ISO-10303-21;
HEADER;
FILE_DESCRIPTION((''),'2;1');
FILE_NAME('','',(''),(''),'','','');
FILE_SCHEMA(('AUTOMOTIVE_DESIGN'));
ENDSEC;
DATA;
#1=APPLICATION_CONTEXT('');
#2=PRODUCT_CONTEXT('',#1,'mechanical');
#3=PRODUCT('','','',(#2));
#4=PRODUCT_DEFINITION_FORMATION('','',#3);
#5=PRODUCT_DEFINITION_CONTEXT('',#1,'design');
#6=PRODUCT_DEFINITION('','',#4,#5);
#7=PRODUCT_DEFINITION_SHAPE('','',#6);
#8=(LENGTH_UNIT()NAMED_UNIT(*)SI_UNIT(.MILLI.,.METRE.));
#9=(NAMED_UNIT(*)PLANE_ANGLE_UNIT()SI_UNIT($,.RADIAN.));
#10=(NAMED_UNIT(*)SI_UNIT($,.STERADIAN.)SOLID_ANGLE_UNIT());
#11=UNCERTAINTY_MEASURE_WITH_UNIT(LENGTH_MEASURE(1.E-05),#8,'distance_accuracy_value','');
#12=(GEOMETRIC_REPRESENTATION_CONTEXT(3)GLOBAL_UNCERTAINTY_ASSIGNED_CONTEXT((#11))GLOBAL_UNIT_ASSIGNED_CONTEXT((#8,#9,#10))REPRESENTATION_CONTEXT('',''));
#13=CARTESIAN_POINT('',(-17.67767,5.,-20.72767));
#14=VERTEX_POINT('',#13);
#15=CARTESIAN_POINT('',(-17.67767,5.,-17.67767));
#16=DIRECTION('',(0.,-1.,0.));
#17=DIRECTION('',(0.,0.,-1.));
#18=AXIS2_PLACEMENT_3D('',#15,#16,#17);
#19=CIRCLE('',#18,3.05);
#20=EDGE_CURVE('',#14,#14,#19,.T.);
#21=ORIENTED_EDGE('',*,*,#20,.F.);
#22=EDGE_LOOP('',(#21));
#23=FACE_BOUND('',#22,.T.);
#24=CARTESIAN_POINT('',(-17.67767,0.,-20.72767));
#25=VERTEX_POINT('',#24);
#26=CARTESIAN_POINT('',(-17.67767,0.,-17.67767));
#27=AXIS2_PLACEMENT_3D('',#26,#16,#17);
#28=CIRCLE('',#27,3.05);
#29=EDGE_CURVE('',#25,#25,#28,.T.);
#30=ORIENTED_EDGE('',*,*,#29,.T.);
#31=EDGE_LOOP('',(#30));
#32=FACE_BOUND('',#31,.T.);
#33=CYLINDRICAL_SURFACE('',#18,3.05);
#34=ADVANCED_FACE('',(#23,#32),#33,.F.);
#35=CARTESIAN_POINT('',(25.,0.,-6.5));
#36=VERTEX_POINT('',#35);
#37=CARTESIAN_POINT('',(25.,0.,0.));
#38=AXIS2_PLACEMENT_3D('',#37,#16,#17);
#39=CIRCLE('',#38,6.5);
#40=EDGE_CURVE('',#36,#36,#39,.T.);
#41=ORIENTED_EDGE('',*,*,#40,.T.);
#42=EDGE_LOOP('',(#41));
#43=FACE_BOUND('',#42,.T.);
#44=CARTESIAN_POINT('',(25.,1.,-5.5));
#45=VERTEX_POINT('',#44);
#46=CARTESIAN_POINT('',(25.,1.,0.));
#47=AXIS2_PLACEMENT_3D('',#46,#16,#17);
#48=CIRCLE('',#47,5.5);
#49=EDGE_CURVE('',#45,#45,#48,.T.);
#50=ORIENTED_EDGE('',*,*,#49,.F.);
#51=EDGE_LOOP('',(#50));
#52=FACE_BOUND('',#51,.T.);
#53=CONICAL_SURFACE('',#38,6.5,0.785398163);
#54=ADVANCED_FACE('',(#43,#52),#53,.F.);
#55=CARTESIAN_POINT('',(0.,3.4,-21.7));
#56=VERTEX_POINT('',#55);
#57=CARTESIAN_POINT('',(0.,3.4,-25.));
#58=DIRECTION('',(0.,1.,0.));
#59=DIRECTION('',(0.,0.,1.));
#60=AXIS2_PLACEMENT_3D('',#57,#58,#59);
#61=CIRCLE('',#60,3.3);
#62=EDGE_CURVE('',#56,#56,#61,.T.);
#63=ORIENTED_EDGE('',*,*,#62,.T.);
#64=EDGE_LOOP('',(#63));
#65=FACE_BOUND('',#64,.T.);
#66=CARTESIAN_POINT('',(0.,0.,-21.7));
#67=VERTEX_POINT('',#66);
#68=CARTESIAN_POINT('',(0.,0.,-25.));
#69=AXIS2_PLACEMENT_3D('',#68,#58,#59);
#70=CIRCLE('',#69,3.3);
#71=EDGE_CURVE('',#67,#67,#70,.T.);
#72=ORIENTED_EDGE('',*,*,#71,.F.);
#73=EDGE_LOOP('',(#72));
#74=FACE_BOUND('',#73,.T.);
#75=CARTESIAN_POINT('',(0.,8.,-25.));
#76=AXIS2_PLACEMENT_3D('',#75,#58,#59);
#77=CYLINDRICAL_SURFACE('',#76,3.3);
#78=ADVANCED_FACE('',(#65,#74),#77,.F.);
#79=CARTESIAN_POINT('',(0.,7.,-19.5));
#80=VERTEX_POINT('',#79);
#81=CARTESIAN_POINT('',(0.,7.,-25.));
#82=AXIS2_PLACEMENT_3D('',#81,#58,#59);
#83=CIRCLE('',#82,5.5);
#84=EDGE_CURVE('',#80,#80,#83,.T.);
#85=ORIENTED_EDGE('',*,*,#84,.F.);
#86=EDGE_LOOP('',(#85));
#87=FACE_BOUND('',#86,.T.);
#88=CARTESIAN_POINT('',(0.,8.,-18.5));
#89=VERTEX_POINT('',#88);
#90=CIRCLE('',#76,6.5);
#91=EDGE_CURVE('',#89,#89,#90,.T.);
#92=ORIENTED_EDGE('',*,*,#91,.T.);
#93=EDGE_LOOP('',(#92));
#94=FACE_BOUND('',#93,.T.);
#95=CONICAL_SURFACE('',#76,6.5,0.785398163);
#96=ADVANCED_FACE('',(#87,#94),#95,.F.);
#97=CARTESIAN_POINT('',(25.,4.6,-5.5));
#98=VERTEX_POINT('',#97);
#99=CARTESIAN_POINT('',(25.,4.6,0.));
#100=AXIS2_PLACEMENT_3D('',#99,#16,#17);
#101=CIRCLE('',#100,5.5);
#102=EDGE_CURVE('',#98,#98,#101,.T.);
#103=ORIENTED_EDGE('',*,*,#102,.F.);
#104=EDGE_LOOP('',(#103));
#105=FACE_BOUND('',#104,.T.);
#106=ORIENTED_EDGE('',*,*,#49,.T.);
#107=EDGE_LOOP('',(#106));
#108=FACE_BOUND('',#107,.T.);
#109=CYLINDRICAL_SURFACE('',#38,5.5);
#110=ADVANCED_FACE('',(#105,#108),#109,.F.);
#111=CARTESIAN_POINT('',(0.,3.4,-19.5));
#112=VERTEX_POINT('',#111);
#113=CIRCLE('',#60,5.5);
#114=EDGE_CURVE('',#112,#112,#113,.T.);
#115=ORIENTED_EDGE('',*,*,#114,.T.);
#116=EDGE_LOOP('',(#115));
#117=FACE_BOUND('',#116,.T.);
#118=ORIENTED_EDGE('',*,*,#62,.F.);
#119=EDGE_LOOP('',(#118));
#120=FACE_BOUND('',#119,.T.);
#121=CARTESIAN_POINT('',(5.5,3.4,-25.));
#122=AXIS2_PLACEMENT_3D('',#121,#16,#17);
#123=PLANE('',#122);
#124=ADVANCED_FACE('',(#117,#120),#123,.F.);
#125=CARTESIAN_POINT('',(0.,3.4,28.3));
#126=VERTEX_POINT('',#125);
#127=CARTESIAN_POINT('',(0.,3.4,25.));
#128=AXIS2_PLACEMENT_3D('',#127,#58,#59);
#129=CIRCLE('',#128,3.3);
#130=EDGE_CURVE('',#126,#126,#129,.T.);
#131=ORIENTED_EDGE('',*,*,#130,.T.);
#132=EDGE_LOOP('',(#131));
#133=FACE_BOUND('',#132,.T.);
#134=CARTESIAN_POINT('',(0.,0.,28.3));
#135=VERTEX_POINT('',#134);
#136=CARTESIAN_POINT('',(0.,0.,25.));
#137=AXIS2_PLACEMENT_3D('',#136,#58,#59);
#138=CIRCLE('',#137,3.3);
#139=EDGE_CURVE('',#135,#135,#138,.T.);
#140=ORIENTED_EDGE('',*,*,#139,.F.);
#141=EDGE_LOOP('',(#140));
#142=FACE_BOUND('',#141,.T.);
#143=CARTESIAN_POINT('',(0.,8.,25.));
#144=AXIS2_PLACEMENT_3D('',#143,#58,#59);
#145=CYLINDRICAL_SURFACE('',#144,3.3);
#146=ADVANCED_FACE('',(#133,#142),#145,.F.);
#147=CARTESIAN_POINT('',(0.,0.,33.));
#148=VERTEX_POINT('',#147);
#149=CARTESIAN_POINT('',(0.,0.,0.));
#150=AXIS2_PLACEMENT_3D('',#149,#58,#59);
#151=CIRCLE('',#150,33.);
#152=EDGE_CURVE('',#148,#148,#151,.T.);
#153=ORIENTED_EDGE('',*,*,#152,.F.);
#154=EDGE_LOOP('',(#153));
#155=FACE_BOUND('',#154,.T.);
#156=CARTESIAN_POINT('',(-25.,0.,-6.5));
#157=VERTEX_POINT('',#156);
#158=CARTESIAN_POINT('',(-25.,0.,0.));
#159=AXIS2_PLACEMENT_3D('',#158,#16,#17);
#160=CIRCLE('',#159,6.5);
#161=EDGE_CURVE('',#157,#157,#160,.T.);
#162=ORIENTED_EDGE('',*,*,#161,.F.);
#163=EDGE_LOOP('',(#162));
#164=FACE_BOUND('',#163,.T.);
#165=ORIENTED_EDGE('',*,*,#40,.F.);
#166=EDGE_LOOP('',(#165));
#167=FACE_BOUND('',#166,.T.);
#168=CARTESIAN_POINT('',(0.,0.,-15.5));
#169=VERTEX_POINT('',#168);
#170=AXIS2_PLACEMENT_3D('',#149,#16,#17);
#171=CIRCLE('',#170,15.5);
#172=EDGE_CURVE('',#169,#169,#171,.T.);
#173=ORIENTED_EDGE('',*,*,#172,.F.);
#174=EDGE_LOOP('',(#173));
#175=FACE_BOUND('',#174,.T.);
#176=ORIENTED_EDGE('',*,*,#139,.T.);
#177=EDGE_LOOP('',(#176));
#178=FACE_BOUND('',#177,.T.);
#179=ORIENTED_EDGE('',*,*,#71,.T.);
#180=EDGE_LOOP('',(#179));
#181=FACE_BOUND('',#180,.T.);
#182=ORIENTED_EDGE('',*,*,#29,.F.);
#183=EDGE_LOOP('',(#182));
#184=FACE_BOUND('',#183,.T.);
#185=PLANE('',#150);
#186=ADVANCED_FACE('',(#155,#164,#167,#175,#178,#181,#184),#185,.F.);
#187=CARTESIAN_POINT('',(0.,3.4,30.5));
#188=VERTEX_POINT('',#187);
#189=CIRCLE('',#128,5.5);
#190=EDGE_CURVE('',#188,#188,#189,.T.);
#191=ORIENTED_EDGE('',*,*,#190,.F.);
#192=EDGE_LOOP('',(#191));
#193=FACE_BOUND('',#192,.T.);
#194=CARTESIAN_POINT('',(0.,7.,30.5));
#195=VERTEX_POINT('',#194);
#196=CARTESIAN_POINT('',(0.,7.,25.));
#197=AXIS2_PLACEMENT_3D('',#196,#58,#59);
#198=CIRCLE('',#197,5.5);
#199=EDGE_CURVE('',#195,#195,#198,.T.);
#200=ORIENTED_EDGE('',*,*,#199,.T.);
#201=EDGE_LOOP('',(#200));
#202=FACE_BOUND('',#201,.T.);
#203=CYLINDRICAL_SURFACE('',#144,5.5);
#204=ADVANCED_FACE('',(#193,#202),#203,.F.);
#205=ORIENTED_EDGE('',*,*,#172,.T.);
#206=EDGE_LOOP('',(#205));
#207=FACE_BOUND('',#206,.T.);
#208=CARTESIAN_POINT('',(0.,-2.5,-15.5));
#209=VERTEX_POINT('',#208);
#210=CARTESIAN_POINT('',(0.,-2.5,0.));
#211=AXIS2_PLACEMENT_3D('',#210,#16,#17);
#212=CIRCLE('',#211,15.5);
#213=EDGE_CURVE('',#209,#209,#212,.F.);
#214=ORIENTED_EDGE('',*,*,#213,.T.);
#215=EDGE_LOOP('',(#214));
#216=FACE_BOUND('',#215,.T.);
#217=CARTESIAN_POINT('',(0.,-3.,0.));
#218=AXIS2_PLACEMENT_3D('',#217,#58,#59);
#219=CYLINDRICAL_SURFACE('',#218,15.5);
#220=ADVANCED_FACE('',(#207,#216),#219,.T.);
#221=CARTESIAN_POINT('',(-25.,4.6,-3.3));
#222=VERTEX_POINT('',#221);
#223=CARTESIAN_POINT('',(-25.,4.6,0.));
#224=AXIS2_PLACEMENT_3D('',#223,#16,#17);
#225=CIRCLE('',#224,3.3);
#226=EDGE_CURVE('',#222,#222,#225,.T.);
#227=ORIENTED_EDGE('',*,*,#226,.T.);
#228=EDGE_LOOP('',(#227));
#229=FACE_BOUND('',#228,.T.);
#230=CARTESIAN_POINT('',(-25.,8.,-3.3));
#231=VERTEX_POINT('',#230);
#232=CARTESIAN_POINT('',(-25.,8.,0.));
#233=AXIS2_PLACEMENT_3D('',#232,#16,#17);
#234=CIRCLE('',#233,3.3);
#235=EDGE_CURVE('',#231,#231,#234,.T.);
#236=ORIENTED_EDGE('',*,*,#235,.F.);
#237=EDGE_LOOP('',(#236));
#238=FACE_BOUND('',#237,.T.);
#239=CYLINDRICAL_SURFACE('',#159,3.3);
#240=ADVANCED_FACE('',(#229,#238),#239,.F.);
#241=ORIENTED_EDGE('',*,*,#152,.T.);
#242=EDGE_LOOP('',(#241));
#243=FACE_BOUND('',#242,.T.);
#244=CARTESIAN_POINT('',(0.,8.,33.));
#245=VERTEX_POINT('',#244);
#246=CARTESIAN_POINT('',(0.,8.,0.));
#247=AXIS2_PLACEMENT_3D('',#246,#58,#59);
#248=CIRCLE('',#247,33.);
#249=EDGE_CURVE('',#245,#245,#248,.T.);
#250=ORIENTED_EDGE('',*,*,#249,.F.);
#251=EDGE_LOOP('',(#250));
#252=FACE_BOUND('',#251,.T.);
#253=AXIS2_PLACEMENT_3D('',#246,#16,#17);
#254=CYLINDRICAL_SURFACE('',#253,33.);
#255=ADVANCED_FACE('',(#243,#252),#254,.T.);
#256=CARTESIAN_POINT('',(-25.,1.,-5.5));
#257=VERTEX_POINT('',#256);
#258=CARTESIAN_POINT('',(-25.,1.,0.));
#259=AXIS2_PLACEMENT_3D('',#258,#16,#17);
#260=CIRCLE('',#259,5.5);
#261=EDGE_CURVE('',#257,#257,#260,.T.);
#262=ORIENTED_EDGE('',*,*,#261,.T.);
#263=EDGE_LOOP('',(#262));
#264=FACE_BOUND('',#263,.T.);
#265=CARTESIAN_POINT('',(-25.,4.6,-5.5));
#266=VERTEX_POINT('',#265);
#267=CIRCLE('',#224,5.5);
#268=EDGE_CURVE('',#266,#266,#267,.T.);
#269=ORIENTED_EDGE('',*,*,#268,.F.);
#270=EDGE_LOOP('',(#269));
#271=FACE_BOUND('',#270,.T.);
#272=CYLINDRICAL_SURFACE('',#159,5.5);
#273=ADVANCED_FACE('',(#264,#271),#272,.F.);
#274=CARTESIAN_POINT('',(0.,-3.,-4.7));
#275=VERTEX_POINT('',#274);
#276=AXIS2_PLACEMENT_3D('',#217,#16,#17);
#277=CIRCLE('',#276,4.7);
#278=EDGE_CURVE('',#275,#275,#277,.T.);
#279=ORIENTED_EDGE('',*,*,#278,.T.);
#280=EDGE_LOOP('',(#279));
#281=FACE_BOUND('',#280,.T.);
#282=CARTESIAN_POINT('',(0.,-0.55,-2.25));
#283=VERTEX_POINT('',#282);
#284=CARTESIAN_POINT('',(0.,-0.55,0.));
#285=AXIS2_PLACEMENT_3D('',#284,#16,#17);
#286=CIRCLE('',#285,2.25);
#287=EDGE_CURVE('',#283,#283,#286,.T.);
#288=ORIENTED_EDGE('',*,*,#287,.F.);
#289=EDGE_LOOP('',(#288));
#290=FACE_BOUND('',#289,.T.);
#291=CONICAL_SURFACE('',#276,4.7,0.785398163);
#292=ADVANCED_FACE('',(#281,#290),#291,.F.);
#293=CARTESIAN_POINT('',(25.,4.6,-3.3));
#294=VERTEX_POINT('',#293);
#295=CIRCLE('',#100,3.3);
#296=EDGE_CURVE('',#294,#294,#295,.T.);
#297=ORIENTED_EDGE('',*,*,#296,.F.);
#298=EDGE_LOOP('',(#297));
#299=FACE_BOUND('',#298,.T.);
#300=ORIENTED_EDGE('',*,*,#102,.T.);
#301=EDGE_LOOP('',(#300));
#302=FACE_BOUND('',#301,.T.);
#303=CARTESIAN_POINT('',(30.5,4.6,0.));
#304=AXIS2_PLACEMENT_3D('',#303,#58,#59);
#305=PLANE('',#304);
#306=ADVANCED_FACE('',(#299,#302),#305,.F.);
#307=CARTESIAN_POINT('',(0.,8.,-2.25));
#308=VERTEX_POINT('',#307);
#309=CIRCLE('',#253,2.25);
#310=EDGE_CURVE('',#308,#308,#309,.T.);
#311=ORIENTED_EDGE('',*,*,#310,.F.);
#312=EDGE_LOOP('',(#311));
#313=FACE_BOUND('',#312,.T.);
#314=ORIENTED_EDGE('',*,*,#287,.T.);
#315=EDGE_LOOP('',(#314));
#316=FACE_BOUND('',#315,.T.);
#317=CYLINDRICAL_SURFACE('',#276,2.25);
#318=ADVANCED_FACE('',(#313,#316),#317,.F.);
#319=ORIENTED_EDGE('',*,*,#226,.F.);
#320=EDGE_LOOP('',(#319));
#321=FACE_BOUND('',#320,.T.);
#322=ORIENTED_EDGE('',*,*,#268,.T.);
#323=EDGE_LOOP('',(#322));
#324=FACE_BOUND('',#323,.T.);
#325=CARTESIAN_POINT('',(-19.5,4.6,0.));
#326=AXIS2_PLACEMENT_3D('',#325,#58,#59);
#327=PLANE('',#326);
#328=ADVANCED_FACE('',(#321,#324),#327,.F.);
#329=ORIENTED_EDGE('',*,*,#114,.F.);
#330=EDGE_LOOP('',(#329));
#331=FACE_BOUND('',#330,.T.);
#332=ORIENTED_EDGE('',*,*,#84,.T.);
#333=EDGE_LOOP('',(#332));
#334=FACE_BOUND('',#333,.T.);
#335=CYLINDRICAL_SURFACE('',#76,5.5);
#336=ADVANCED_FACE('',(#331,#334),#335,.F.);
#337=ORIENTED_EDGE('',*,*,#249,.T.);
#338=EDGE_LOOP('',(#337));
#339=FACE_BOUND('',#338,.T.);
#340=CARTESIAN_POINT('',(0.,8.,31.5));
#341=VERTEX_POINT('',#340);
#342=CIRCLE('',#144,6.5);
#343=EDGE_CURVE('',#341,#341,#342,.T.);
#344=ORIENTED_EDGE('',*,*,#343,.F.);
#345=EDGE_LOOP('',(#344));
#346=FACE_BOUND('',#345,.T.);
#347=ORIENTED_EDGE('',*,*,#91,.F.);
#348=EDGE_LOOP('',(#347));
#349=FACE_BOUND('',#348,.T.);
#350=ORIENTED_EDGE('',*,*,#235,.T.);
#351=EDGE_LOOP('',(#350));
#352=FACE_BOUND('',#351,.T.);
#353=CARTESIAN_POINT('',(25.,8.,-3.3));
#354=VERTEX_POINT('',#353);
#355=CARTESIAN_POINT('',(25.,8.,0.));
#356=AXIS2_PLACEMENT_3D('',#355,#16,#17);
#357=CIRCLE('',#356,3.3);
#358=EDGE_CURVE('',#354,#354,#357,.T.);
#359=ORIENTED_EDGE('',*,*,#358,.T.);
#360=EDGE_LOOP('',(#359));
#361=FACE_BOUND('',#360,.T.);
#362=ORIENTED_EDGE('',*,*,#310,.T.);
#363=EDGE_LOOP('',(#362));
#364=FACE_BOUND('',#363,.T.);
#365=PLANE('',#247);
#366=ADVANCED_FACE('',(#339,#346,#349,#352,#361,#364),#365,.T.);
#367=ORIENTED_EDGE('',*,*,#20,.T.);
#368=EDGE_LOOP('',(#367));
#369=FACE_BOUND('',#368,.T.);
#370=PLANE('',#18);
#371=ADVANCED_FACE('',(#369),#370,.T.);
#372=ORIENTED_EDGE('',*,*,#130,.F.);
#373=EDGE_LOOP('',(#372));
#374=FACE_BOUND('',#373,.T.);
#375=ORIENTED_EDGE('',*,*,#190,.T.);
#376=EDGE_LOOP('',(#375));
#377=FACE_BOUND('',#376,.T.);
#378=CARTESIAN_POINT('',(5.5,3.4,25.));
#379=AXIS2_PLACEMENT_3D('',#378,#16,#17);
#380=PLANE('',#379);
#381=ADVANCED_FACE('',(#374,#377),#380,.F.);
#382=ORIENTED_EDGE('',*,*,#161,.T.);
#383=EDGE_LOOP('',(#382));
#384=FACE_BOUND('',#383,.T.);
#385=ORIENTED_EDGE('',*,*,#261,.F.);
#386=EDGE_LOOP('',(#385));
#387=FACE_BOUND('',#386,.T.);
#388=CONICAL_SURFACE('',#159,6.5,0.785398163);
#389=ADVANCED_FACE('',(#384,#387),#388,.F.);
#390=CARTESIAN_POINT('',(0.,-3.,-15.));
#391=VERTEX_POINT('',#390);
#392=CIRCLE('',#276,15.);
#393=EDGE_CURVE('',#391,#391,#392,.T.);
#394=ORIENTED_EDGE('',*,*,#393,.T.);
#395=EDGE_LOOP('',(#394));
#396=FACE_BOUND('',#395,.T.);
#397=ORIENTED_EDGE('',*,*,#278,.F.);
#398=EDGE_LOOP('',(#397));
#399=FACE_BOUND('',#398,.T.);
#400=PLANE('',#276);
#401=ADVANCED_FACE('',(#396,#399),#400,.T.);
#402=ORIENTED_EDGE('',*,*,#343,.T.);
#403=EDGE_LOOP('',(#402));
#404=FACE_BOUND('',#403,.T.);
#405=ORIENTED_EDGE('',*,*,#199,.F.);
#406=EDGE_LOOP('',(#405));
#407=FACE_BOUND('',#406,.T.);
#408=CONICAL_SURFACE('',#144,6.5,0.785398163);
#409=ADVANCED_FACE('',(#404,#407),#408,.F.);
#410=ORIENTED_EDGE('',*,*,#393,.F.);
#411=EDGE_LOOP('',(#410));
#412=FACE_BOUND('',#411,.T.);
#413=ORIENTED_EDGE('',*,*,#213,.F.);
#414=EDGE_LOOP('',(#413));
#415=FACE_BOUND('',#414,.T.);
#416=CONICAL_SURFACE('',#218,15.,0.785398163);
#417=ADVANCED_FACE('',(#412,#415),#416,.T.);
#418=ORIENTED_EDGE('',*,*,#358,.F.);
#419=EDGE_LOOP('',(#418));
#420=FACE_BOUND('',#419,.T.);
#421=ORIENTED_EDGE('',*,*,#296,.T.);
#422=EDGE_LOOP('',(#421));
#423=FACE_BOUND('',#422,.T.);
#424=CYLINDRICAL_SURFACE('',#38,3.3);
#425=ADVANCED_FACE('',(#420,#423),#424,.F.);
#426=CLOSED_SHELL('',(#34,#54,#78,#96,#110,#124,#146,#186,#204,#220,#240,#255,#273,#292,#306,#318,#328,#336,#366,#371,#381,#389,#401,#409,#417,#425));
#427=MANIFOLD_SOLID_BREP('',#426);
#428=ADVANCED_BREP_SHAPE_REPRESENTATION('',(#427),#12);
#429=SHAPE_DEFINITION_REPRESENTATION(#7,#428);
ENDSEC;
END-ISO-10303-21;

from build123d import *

# Parameters (mm, degrees)
SKETCH1_R                                           = 33
BOSS_EXTRUDE1_DEPTH                                 = 8
SKETCH2_R                                           = 15.5
BOSS_EXTRUDE2_DEPTH                                 = 3
SKETCH4_R                                           = 3.05
CUT_EXTRUDE2_DEPTH                                  = 5
CHAMFER1_SIZE                                       = 0.5
CBORE_FOR_M6_HEX_SOCKET_THIN_HEAD_CA_2_COUNT        = 2
CBORE_FOR_M6_HEX_SOCKET_THIN_HEAD_CA_2_PITCH        = 50
CBORE_FOR_M6_HEX_SOCKET_THIN_HEAD_CA_3_A_COUNT      = 2
CBORE_FOR_M6_HEX_SOCKET_THIN_HEAD_CA_3_A_PITCH      = 50
CSK_FOR_M4_COUNTERSUNK_FLAT_HEAD_SCREW1_D           = 4.5
CSK_FOR_M4_COUNTERSUNK_FLAT_HEAD_SCREW1_CSINK_D     = 9.4
CSK_FOR_M4_COUNTERSUNK_FLAT_HEAD_SCREW1_CSINK_ANGLE = 90


with BuildPart() as part:
    # Sketch1 → Boss-Extrude1 (new body)
    with BuildSketch(Plane(origin=(0, 0, 0), x_dir=(1, 0, 0), z_dir=(0, 1, 0))):
        with Locations(Location((0, 0, 0), (0, 0, 270))):
            Circle(SKETCH1_R)
    extrude(amount=BOSS_EXTRUDE1_DEPTH)

    # Sketch2 → Boss-Extrude2 (add)
    with BuildSketch(Plane(origin=(0, 0, 0), x_dir=(-1, 0, 0), z_dir=(0, -1, 0))):
        with Locations(Location((0, 0, 0), (0, 0, 90))):
            Circle(SKETCH2_R)
    extrude(amount=BOSS_EXTRUDE2_DEPTH)

    # Sketch4 → Cut-Extrude2 (cut)
    with BuildSketch(Plane.XZ):
        with Locations(Location((-17.67766953, -17.67766953, 0), (0, 0, 270))):
            Circle(SKETCH4_R)
    extrude(amount=-CUT_EXTRUDE2_DEPTH, mode=Mode.SUBTRACT)

    # Chamfer1
    chamfer1_edges = [part.edges().sort_by_distance(p)[0] for p in [
        (0, -3, 15.5),
    ]]
    chamfer(chamfer1_edges, length=CHAMFER1_SIZE)

    # Sketch8 → CBORE for M6 Hex Socket Thin Head Cap Sc (revolve, cut)
    with BuildSketch(Plane(origin=(-25, 0, 0), x_dir=(0, 0, -1), z_dir=(1, 0, 0))):
        Polygon((0, 0), (0, 8), (3.3, 8), (3.3, 4.6), (5.5, 4.6), (5.5, 1), (6.5, 0), align=None)
    cbore_for_m6_hex_socket_thin_head_cap_sc = revolve(axis=Axis((-25, -6.35, 0), (0, 1, 0)), mode=Mode.SUBTRACT)

    # CBORE for M6 Hex Socket Thin Head Ca 2: CBORE for M6 Hex Socket Thin Head Cap Sc ×2
    with Locations(*[(i * CBORE_FOR_M6_HEX_SOCKET_THIN_HEAD_CA_2_PITCH, 0, 0) for i in range(1, CBORE_FOR_M6_HEX_SOCKET_THIN_HEAD_CA_2_COUNT)]):
        add(cbore_for_m6_hex_socket_thin_head_cap_sc, mode=Mode.SUBTRACT)

    # Sketch10 → CBORE for M6 Hex Socket Thin Head Ca 3 (revolve, cut)
    with BuildSketch(Plane(origin=(0, 8, -25), x_dir=(0, 0, 1), z_dir=(1, 0, 0))):
        Polygon((0, 0), (0, 11), (3.3, 11), (3.3, 4.6), (5.5, 4.6), (5.5, 1), (6.5, 0), align=None)
    cbore_for_m6_hex_socket_thin_head_ca_3 = revolve(axis=Axis((0, 14.35, -25), (0, -1, 0)), mode=Mode.SUBTRACT)

    # CBORE for M6 Hex Socket Thin Head Ca 3 a: CBORE for M6 Hex Socket Thin Head Ca 3 ×2
    with Locations(*[(0, 0, i * CBORE_FOR_M6_HEX_SOCKET_THIN_HEAD_CA_3_A_PITCH) for i in range(1, CBORE_FOR_M6_HEX_SOCKET_THIN_HEAD_CA_3_A_COUNT)]):
        add(cbore_for_m6_hex_socket_thin_head_ca_3, mode=Mode.SUBTRACT)

    # CSK for M4 Countersunk Flat Head Screw1 (through all)
    with Locations(Plane(origin=(0, -3, 0), x_dir=(-1, 0, 0), z_dir=(0, -1, 0))):
        with Locations((0, 0)):
            CounterSinkHole(CSK_FOR_M4_COUNTERSUNK_FLAT_HEAD_SCREW1_D / 2, CSK_FOR_M4_COUNTERSUNK_FLAT_HEAD_SCREW1_CSINK_D / 2, counter_sink_angle=CSK_FOR_M4_COUNTERSUNK_FLAT_HEAD_SCREW1_CSINK_ANGLE)


solid = part.part
